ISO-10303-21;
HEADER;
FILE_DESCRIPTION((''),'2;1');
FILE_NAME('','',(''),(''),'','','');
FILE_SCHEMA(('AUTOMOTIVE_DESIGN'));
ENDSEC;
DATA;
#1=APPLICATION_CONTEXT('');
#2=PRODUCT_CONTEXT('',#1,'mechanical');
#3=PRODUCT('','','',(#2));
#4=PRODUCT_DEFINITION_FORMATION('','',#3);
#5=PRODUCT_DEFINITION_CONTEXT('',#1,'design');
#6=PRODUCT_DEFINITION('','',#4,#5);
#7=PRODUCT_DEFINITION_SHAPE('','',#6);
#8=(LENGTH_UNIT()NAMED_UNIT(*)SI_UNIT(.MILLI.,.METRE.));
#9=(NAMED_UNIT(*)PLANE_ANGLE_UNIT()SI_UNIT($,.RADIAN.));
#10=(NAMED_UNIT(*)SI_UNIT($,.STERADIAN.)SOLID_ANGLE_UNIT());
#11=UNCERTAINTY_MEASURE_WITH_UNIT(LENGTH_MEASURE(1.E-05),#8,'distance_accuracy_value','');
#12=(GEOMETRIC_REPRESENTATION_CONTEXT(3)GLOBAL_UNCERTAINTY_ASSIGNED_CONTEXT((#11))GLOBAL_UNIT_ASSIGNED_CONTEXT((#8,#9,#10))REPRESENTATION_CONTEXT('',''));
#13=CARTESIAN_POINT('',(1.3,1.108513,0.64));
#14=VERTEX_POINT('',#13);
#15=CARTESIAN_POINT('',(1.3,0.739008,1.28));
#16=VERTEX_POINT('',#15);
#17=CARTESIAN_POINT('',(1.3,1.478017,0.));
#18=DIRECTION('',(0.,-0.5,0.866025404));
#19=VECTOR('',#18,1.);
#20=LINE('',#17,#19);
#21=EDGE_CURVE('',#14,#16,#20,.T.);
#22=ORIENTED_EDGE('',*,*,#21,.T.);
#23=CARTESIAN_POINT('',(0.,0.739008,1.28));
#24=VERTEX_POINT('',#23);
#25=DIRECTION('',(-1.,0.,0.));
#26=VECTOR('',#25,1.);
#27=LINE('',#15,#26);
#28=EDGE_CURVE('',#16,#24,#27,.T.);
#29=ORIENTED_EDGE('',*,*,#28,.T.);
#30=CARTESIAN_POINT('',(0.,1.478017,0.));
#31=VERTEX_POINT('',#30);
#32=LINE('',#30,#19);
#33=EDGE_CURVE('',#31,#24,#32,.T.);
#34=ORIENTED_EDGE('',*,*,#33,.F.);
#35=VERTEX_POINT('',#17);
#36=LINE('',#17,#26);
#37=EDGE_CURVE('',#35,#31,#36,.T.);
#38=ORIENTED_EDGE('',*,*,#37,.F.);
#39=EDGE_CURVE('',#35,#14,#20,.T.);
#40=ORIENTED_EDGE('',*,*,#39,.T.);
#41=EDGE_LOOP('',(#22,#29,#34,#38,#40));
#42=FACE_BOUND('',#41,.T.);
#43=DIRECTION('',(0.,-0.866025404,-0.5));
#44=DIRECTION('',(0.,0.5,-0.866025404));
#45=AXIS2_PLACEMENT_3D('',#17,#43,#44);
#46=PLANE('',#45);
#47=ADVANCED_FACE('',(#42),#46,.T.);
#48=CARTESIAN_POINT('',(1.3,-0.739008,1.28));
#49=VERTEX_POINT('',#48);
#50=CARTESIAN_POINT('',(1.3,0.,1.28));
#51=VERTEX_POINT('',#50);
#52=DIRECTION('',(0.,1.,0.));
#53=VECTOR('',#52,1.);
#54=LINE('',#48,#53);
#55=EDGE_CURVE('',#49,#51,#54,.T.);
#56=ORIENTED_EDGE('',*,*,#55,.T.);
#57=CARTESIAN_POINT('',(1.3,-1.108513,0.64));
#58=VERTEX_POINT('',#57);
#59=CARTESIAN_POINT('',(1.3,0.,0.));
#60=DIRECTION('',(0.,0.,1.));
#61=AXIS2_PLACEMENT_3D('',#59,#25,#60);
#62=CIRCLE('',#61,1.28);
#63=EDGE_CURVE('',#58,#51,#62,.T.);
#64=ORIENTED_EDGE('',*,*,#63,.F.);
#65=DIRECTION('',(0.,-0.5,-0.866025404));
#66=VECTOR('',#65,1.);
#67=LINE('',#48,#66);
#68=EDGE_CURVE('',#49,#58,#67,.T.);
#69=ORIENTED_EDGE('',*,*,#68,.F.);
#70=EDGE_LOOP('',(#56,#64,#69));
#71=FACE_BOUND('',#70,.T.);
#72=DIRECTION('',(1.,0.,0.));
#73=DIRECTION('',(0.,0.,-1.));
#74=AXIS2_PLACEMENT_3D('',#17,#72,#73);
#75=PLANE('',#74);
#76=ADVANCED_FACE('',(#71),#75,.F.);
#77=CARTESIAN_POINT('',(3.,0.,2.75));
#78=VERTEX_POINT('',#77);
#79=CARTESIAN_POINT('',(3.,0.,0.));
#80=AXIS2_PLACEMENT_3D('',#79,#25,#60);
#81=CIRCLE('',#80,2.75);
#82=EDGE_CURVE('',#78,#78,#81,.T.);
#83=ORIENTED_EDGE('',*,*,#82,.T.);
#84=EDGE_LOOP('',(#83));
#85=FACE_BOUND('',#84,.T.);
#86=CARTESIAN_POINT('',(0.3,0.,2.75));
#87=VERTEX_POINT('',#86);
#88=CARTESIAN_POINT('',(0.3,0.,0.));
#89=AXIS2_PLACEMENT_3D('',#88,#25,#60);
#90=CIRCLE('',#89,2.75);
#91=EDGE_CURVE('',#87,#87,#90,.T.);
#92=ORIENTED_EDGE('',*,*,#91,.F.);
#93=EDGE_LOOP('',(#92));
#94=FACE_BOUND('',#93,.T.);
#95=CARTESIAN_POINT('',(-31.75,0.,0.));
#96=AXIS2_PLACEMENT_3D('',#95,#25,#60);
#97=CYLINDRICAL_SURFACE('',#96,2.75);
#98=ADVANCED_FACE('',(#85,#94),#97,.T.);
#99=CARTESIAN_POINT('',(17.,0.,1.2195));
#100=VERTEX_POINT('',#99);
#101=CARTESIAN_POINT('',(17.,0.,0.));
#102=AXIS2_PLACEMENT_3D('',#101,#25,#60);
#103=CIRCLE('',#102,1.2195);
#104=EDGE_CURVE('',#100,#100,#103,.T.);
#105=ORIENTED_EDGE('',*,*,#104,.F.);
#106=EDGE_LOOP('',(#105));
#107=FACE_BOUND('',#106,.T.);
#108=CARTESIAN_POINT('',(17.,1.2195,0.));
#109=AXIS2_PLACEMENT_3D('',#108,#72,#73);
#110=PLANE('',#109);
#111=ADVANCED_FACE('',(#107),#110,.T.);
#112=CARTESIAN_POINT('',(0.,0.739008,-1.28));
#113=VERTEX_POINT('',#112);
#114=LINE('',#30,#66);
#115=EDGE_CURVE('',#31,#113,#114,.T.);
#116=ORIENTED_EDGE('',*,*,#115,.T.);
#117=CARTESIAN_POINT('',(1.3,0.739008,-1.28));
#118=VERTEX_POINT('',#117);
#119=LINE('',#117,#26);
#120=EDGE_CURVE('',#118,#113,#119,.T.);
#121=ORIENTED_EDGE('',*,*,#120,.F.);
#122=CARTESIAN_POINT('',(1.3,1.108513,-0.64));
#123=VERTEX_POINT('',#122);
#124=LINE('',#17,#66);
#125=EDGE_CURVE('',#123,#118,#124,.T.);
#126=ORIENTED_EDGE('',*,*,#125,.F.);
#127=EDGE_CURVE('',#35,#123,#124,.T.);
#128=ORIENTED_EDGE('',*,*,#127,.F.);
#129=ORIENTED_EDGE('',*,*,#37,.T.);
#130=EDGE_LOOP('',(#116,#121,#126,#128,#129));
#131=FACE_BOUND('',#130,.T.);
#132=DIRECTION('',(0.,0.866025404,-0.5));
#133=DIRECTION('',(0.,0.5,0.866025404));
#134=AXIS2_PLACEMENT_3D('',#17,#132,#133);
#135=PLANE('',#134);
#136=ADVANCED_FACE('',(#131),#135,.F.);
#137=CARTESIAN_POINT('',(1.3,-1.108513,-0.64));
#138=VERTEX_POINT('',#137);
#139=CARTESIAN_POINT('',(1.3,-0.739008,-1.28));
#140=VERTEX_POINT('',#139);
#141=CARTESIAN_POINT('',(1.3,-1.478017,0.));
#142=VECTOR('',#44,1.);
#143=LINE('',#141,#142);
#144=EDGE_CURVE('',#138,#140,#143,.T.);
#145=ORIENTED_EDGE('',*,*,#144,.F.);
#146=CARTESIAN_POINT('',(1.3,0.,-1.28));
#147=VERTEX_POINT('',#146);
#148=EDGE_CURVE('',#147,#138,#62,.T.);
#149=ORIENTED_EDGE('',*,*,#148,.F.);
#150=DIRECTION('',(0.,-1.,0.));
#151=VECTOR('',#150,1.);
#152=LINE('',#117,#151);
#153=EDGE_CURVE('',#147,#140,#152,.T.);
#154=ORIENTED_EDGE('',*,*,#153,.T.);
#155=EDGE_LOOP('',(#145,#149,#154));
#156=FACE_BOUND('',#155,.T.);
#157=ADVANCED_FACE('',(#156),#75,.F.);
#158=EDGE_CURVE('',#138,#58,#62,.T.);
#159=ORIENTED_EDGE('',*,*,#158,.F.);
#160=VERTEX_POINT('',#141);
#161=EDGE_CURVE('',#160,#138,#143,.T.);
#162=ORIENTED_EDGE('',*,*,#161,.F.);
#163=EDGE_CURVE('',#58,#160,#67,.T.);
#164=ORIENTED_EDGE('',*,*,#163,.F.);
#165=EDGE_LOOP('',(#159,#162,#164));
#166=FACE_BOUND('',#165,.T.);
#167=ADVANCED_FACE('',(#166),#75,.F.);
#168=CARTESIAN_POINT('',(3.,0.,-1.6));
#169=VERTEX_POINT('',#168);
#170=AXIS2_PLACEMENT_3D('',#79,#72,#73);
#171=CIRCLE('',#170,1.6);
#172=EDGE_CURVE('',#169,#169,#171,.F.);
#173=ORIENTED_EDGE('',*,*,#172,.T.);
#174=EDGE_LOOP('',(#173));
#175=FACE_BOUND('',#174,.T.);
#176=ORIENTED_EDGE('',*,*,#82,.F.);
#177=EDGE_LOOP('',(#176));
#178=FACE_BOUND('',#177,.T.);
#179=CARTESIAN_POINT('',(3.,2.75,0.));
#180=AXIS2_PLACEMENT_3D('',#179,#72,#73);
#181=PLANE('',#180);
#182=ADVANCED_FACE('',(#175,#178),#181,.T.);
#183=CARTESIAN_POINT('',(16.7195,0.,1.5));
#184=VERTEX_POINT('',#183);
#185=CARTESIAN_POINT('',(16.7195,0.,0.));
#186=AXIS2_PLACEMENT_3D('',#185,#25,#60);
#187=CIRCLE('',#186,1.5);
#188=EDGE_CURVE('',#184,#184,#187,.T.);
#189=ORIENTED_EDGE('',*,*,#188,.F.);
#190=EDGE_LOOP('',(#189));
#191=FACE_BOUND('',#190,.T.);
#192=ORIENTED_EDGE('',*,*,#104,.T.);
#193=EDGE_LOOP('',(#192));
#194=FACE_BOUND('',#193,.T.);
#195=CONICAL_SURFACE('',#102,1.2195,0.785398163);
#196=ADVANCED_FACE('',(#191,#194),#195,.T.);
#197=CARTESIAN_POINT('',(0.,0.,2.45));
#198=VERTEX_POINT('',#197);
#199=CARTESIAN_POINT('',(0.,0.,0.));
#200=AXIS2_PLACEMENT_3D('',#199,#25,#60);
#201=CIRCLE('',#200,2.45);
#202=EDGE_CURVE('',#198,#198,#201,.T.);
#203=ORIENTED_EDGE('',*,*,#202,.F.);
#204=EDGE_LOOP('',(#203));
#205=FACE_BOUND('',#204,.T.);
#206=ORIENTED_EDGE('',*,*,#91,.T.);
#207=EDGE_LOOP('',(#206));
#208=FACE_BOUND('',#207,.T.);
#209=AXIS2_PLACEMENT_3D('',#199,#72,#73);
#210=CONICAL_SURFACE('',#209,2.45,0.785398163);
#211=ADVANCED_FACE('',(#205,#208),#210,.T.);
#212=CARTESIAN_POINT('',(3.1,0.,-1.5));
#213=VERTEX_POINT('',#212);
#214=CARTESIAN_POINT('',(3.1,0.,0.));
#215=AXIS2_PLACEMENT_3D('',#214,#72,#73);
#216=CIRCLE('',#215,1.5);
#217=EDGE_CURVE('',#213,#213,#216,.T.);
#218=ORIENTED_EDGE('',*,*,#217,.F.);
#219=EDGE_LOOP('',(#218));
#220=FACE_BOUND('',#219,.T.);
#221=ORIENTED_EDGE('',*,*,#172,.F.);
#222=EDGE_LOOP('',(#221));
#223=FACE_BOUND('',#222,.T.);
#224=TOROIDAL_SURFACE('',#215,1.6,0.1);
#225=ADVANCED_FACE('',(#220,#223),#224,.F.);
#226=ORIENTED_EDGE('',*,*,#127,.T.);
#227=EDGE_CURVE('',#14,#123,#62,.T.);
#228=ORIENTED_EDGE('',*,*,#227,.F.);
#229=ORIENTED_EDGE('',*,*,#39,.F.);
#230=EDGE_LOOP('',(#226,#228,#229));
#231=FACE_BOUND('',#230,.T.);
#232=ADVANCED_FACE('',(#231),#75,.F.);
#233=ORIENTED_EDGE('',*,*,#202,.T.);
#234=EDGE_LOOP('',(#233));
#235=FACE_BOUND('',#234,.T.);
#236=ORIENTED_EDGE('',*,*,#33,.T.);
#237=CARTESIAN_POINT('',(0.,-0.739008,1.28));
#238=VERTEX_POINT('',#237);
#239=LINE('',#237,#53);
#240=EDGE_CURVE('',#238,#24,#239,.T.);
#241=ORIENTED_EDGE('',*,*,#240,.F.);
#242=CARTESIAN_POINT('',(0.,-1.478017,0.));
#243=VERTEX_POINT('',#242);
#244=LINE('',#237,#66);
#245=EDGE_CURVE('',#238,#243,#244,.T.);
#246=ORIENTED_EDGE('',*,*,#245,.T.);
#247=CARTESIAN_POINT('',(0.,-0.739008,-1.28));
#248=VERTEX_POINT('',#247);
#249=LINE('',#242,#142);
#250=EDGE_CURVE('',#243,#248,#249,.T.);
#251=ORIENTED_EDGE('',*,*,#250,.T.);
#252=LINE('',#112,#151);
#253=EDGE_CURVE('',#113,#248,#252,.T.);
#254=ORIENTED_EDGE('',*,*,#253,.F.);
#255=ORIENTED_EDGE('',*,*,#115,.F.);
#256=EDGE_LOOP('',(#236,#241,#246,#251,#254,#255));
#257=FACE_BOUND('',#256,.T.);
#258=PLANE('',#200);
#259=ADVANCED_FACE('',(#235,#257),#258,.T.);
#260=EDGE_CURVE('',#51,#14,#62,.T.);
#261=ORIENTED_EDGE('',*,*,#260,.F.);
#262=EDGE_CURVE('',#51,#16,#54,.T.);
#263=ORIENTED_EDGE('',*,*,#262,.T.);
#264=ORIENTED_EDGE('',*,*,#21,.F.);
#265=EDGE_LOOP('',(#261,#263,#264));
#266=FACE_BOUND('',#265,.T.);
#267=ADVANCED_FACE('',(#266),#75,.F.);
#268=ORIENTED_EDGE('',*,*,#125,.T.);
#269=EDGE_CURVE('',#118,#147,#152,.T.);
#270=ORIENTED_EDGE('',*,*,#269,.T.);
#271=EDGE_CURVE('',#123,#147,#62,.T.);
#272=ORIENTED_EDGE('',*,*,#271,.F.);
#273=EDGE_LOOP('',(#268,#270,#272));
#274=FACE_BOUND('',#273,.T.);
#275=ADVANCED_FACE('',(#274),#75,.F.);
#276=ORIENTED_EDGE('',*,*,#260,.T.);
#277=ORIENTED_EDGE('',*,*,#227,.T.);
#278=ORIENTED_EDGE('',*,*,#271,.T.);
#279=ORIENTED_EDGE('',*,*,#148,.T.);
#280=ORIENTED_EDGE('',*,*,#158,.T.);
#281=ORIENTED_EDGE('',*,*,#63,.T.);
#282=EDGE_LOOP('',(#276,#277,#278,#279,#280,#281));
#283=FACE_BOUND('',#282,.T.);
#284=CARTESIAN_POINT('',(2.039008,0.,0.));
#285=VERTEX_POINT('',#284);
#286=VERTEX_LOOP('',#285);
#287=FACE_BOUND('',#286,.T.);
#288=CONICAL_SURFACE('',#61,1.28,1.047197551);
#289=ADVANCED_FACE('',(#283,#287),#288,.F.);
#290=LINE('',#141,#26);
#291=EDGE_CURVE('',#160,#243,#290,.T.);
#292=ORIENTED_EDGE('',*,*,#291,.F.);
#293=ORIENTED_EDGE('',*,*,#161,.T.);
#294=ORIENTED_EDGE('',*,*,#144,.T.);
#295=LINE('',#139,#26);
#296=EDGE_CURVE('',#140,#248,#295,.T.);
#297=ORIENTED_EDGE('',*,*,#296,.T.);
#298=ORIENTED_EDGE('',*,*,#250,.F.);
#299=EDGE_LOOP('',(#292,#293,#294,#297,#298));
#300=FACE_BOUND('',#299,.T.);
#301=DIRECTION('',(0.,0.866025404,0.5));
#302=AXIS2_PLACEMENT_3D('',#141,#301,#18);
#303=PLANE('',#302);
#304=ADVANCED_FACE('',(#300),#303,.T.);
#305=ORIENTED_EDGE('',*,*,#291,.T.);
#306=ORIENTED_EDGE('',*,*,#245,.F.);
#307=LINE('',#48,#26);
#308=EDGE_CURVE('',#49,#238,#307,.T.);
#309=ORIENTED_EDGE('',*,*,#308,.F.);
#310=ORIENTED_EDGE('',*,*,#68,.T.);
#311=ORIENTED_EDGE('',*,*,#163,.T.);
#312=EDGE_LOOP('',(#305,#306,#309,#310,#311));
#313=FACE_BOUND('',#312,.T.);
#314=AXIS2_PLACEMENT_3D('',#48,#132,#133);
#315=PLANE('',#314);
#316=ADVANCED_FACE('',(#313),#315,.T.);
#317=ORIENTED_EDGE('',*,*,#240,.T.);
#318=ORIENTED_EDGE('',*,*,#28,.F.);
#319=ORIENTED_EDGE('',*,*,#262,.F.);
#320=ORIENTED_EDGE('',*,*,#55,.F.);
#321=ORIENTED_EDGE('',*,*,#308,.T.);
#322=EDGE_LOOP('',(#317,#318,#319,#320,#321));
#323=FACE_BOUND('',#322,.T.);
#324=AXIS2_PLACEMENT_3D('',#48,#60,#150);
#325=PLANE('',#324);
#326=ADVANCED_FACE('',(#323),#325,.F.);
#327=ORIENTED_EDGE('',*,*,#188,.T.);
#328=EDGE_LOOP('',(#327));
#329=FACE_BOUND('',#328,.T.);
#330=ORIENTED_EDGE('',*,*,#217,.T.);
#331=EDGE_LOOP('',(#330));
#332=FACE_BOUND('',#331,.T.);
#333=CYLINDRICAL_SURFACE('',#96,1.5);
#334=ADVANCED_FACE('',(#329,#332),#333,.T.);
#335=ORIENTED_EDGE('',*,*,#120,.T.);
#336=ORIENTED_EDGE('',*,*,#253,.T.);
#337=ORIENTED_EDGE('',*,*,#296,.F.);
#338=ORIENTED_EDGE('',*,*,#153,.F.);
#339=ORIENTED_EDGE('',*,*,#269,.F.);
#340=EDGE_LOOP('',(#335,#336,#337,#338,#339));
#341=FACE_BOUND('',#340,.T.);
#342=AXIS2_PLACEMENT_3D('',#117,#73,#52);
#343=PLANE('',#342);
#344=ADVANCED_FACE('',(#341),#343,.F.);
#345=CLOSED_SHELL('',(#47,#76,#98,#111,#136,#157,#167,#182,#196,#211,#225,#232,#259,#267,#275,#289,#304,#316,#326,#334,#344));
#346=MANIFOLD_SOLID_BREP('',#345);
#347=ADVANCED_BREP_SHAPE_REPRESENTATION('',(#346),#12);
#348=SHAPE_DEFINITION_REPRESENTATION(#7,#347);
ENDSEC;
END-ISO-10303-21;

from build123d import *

# Parameters (mm, degrees)
FILLET1_R   = 0.1
HEX_2_DEPTH = 1.3


with BuildPart() as part:
    # BodySke → Base-Revolve (revolve)
    with BuildSketch(Plane.XY):
        Polygon((0, 0), (0, 2.45), (0.3, 2.75), (3, 2.75), (3, 1.5), (16.7195, 1.5), (17, 1.2195), (17, 0), align=None)
    revolve(axis=Axis((-31.75, 0, 0), (1, 0, 0)))

    # Fillet1
    fillet1_edges = [part.edges().sort_by_distance(p)[0] for p in [
        (3, -1.5, 0),
    ]]
    fillet(fillet1_edges, radius=FILLET1_R)

    # Sketch2 → Hex-PreBroach (revolve, cut)
    with BuildSketch(Plane.XY):
        Polygon((0, 1.28), (1.3, 1.28), (2.039008345, 0), (0, 0), align=None)
    revolve(axis=Axis((0, 0, 0), (1, 0, 0)), mode=Mode.SUBTRACT)

    # Sketch3 → Hex 2 (cut)
    with BuildSketch(Plane(origin=(0, 0, 0), x_dir=(0, 0.5, 0.866025404), z_dir=(-1, 0, 0))):
        Polygon((0.739008345, 1.28), (-0.739008345, 1.28), (-1.478016689, 0), (-0.739008345, -1.28), (0.739008345, -1.28), (1.478016689, 0), align=None)
    extrude(amount=-HEX_2_DEPTH, mode=Mode.SUBTRACT)


solid = part.part
